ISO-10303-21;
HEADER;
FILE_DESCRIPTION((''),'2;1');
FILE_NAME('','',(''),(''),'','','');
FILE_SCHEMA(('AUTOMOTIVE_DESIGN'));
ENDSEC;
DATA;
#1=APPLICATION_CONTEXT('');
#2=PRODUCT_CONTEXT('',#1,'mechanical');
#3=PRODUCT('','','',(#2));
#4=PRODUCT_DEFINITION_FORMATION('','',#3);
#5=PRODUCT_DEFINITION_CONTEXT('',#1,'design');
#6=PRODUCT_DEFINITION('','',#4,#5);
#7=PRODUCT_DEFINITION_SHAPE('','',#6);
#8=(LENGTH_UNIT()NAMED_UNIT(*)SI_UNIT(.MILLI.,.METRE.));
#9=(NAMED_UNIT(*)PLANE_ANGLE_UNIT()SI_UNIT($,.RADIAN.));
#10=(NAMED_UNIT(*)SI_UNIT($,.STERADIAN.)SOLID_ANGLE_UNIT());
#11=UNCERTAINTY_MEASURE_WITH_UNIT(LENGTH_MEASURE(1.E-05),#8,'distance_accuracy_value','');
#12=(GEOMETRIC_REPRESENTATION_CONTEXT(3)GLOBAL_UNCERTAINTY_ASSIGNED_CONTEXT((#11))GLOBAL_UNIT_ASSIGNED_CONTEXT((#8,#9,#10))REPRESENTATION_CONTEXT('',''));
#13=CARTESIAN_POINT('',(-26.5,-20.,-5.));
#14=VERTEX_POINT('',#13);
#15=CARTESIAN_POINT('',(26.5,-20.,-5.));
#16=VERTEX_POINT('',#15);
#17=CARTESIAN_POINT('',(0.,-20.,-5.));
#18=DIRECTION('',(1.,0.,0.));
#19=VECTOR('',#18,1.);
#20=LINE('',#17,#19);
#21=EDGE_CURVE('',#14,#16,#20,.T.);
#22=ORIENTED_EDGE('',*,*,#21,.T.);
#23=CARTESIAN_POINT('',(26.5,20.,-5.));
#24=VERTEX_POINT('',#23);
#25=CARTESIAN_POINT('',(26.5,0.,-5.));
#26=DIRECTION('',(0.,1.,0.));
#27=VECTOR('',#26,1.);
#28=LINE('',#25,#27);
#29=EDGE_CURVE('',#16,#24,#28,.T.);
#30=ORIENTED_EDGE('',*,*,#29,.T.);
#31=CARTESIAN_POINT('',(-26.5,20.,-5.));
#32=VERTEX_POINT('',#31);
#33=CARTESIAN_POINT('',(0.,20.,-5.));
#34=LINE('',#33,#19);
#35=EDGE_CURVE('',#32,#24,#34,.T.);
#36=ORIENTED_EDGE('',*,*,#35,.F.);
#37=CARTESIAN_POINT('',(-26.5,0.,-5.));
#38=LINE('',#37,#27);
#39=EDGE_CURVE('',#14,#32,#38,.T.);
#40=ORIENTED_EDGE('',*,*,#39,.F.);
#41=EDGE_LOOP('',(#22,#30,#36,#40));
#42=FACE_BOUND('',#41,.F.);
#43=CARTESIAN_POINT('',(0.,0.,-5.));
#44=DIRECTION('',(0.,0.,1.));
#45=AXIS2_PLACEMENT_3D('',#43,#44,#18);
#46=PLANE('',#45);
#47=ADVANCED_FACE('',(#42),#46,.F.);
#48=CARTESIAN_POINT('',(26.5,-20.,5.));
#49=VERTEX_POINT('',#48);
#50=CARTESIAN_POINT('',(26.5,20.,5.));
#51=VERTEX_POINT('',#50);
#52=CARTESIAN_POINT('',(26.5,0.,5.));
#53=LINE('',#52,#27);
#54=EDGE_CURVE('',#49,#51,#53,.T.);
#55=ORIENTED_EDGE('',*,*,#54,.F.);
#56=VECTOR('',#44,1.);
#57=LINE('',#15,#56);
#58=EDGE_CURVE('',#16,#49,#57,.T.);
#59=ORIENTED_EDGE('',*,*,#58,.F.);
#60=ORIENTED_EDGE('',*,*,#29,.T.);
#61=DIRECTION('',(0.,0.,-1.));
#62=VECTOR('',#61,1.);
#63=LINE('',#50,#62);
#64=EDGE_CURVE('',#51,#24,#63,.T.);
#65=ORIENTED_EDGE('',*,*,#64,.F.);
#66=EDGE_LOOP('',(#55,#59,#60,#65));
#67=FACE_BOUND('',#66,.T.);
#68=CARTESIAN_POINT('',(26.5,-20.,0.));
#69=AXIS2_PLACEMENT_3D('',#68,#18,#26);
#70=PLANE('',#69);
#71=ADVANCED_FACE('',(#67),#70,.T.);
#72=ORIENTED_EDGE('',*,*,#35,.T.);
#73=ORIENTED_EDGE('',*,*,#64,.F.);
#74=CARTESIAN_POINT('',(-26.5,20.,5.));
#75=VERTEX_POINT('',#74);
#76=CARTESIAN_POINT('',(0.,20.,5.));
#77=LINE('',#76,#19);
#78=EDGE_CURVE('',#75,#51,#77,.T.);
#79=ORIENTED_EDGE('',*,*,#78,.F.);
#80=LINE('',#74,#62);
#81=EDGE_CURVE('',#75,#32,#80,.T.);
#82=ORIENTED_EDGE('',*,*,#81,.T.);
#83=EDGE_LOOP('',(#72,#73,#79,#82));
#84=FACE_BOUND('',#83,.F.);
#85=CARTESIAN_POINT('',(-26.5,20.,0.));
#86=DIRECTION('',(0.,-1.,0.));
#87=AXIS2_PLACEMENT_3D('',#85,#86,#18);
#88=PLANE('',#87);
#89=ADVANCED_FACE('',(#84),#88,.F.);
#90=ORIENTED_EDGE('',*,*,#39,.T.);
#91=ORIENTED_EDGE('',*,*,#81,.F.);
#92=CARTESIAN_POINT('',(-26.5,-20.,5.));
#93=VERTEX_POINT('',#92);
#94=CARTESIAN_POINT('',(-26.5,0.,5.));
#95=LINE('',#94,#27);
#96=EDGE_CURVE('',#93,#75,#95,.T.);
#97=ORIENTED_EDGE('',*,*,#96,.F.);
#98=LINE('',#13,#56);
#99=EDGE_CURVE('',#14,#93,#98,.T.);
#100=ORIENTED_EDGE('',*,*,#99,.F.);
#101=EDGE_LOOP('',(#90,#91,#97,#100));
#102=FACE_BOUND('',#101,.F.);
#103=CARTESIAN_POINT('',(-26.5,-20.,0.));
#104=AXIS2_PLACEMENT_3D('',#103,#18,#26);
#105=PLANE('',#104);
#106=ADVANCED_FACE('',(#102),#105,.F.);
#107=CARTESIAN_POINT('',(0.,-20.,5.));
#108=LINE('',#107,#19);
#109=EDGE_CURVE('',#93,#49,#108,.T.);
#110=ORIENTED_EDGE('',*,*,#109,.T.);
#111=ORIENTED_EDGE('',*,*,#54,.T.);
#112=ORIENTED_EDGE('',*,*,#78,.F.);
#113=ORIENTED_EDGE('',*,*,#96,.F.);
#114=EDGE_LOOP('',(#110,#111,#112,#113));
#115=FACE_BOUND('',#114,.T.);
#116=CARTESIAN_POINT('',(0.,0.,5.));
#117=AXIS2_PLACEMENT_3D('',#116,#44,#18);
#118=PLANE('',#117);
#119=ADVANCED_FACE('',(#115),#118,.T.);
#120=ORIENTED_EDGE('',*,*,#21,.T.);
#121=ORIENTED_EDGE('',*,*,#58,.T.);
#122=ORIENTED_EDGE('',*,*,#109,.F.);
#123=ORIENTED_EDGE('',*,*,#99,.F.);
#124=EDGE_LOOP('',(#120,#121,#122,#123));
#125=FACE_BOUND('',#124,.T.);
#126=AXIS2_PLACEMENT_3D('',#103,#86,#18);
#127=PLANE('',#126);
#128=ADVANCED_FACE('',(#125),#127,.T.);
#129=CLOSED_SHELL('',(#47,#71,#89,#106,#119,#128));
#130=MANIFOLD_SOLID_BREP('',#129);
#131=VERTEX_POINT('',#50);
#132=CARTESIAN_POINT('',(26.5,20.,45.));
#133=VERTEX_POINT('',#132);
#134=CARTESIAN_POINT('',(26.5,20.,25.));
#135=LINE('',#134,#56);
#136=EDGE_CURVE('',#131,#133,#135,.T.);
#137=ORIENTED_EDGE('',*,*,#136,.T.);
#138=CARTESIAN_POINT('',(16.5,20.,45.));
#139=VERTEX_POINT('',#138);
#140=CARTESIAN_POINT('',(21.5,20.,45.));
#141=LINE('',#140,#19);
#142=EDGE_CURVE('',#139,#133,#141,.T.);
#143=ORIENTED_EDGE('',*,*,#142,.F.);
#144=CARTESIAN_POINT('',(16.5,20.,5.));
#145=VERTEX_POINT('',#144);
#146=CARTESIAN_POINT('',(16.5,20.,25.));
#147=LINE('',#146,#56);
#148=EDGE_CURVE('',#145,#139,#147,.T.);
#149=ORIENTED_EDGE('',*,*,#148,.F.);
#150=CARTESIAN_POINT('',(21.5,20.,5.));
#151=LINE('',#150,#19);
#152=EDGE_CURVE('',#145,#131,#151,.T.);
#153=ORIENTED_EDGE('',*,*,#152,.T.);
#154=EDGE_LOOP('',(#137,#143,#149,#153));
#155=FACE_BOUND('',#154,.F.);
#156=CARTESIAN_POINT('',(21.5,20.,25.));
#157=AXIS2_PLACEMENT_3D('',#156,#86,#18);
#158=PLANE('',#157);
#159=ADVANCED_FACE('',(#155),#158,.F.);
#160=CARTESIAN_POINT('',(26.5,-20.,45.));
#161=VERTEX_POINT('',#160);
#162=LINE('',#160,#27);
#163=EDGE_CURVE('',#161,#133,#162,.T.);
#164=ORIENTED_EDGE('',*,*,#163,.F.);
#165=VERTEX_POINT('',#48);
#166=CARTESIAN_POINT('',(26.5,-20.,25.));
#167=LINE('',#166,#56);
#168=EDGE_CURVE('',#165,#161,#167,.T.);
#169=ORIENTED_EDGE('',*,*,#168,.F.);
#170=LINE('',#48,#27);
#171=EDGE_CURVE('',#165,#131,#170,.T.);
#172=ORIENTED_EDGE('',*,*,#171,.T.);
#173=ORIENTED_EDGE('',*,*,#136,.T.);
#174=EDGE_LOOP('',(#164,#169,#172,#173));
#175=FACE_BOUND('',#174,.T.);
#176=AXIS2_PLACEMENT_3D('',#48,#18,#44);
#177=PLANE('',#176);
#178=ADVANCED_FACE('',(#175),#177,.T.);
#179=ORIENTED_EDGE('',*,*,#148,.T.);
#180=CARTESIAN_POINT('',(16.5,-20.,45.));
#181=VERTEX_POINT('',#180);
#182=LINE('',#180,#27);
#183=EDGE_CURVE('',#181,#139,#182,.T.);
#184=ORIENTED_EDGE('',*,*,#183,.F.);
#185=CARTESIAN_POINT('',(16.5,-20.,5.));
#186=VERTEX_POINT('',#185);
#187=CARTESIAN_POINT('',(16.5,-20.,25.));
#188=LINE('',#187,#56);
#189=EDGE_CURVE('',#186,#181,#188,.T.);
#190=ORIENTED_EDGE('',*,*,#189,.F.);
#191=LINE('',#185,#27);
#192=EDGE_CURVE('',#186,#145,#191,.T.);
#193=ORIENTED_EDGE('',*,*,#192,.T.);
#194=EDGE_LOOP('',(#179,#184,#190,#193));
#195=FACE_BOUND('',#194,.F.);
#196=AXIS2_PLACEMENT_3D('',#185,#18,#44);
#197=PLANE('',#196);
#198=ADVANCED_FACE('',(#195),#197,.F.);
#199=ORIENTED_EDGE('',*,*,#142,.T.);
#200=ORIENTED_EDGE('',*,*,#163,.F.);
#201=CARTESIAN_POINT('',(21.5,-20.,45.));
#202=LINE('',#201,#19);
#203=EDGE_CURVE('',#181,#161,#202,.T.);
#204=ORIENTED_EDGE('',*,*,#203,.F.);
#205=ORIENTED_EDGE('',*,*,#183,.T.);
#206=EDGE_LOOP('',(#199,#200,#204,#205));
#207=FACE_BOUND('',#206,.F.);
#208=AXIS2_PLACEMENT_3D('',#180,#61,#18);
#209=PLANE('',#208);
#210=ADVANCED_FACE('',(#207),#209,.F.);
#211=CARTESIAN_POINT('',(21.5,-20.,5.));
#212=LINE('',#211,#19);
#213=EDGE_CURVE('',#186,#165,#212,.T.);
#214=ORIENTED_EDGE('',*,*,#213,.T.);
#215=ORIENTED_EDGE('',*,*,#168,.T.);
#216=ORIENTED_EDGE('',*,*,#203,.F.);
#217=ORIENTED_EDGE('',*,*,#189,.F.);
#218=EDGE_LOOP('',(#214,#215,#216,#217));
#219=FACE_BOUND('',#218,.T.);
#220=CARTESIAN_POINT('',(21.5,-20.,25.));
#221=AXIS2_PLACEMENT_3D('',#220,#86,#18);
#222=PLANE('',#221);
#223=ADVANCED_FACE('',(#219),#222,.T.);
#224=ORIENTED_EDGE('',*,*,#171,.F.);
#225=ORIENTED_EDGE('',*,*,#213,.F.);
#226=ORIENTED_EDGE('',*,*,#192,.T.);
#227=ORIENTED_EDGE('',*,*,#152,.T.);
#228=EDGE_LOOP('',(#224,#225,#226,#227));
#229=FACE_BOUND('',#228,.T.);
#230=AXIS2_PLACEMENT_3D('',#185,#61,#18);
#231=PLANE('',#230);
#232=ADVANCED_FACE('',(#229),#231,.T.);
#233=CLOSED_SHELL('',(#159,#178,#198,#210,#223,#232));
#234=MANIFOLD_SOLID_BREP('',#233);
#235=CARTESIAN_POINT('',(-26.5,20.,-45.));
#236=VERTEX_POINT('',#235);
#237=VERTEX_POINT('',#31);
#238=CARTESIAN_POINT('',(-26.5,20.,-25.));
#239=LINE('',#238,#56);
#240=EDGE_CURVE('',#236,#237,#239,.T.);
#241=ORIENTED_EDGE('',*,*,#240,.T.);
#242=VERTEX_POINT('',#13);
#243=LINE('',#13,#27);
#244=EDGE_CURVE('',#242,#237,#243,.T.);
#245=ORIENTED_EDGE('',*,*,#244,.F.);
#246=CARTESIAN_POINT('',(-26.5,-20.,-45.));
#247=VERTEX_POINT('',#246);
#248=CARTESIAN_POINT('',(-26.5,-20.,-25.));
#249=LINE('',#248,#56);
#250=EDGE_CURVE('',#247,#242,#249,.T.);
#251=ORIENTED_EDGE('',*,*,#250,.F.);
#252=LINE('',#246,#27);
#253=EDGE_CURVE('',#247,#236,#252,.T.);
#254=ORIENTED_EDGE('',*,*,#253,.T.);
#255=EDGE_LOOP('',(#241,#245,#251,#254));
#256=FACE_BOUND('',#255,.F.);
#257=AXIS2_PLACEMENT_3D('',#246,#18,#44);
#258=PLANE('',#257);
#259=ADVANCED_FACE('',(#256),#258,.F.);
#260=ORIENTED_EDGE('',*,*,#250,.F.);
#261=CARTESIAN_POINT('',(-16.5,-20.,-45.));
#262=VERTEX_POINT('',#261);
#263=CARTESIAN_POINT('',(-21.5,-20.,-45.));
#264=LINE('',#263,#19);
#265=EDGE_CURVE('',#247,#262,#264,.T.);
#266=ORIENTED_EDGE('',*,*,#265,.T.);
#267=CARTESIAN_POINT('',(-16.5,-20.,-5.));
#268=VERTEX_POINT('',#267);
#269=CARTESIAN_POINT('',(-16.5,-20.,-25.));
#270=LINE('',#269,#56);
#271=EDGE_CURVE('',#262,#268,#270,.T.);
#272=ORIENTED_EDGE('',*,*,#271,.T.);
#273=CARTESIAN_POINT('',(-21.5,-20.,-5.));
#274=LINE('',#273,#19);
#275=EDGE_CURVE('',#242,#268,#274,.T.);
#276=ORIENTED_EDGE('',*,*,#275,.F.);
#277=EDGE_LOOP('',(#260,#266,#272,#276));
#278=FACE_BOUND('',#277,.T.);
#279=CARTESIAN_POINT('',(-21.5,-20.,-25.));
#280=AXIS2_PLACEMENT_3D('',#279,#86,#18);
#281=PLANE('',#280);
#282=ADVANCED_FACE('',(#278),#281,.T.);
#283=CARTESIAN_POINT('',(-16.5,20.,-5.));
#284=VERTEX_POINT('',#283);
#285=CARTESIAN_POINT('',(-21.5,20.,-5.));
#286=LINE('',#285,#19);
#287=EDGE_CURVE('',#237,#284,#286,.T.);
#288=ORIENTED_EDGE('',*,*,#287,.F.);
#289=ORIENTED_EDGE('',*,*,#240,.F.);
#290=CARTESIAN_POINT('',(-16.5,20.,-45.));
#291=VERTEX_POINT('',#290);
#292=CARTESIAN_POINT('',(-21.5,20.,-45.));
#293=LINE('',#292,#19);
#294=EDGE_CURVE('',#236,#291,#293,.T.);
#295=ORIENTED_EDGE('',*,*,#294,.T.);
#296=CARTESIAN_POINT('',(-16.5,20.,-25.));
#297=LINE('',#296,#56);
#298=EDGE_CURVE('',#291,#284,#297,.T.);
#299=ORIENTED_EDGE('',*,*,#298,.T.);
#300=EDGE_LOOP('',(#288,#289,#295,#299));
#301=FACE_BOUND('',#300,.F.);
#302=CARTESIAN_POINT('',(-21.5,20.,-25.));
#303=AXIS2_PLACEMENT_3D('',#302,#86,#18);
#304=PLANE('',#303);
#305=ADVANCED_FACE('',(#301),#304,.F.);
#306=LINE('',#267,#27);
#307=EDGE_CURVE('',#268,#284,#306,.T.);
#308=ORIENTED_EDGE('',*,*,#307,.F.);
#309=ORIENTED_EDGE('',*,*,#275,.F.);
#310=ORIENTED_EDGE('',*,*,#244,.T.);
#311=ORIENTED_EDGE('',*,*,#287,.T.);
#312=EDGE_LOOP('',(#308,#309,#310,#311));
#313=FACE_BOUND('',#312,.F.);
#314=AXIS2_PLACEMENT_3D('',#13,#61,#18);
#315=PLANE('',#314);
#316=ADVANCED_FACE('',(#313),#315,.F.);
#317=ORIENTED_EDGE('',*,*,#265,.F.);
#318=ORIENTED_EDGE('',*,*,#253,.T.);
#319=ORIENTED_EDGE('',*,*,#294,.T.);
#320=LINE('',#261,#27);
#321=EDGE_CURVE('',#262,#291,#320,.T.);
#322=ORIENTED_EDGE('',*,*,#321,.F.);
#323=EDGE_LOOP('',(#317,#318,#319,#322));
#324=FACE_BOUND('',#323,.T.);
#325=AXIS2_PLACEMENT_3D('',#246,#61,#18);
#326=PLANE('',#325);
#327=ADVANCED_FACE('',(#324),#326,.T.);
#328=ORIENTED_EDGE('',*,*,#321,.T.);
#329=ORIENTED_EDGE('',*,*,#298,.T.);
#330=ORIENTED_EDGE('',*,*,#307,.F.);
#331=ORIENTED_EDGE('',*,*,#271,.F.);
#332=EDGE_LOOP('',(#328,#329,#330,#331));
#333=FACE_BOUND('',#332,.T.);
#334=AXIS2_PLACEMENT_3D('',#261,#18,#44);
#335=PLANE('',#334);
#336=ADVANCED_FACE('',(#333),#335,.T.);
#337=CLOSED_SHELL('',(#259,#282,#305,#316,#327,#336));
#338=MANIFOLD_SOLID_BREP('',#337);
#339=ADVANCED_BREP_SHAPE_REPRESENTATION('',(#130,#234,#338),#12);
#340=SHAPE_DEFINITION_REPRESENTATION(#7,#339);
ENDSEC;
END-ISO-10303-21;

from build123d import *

# Parameters (mm, degrees)
SKETCH_1_W        = 53
SKETCH_1_H        = 40
EXTRUDE_1_DEPTH   = 5
SKETCH_2_W        = 10
SKETCH_2_H        = 40
EXTRUDE_2_DEPTH   = 40
EXTRUDE_2_2_DEPTH = 40


with BuildPart() as part:
    # 草图1 → 凸台-拉伸1 (new, symmetric)
    with BuildSketch(Plane.XY):
        Rectangle(SKETCH_1_W, SKETCH_1_H)
    extrude(amount=EXTRUDE_1_DEPTH, both=True)


with BuildPart() as body_2:
    # 草图2 → 凸台-拉伸2 (new, through all)
    with BuildSketch(Plane.XZ.offset(20)):
        with Locations((-21.5, -25)):
            Rectangle(SKETCH_2_W, SKETCH_2_H)
    extrude(amount=-EXTRUDE_2_DEPTH)


with BuildPart() as body_3:
    # 草图2 → Extrude 2 2 (new, through all)
    with BuildSketch(Plane.XZ.offset(20)):
        with Locations((21.5, 25)):
            Rectangle(SKETCH_2_W, SKETCH_2_H)
    extrude(amount=-EXTRUDE_2_2_DEPTH)


solid = Compound([part.part, body_2.part, body_3.part])
